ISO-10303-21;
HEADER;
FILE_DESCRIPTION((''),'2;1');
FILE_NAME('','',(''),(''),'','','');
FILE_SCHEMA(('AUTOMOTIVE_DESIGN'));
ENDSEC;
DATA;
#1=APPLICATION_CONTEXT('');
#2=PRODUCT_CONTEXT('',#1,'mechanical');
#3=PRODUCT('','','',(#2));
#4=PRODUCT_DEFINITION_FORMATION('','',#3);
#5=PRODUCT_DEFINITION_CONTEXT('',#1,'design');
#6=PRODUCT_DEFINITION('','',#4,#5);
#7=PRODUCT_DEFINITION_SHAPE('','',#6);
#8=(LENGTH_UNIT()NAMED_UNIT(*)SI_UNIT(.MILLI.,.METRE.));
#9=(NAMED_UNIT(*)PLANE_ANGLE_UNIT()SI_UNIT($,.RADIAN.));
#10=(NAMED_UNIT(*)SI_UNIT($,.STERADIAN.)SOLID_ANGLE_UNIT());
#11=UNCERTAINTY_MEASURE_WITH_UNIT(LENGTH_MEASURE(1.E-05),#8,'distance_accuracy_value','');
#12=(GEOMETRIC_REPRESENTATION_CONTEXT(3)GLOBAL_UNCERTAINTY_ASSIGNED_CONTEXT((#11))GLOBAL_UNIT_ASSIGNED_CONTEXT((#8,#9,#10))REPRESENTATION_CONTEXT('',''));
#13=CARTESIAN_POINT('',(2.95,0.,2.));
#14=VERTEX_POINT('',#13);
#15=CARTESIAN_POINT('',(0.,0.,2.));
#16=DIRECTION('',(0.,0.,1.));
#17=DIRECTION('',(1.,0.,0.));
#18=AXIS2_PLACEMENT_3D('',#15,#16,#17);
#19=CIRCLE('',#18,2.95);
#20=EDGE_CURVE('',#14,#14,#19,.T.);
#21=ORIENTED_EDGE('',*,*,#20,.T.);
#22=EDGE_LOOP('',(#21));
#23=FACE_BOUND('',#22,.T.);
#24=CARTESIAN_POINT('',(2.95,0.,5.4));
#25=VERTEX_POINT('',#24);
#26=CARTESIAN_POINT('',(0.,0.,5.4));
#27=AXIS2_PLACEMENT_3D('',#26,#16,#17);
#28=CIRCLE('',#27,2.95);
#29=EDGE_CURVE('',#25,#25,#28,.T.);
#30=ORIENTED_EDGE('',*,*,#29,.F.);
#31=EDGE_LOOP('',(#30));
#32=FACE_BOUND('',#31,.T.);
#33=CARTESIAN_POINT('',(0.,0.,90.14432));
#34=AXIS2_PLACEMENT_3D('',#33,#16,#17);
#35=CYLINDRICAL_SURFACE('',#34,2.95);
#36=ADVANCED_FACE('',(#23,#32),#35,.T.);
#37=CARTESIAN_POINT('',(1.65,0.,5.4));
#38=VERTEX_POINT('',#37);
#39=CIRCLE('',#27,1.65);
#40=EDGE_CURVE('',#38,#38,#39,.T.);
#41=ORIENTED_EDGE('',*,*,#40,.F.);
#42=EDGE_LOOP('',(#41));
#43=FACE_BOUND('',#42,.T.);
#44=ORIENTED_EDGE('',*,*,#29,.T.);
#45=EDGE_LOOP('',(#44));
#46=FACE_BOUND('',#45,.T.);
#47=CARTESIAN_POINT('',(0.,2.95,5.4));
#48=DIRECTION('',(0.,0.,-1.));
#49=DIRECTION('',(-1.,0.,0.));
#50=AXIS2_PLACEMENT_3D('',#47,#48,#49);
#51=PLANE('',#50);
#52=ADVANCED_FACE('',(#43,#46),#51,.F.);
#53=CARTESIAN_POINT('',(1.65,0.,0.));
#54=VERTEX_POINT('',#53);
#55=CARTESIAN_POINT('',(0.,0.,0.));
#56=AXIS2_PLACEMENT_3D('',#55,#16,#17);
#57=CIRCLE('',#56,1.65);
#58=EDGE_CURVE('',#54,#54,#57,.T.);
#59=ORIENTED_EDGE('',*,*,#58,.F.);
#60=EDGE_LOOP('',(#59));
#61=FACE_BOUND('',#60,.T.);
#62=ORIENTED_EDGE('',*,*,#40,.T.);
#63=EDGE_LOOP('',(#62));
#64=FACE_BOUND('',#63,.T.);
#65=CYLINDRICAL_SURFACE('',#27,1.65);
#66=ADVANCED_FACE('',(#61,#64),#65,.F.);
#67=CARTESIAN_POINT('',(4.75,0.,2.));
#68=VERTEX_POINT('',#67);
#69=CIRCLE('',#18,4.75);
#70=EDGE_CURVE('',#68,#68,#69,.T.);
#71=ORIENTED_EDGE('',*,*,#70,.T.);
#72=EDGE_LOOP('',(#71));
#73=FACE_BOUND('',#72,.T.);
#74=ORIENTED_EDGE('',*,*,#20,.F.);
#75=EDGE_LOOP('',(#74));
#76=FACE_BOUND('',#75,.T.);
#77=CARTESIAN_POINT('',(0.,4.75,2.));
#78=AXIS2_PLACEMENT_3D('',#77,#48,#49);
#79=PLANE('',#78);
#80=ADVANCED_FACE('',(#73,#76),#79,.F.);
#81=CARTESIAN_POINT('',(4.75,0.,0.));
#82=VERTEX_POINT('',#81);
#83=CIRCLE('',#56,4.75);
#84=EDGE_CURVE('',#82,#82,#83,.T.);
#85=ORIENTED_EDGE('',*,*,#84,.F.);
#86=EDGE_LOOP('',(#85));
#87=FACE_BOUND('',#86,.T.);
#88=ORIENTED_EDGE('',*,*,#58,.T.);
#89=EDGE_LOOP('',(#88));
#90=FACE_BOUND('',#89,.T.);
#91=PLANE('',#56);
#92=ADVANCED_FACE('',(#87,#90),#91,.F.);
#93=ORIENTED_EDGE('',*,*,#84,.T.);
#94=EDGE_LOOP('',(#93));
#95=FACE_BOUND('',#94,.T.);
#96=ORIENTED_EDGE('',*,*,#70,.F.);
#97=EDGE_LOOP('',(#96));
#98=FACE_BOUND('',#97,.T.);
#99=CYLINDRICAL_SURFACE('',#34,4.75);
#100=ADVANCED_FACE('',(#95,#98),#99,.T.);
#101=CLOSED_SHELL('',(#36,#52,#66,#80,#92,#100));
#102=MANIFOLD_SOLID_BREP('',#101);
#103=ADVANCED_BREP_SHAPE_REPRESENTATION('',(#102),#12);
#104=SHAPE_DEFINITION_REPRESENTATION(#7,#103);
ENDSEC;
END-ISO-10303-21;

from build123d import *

# Parameters (mm, degrees)
M4X0_7_TAPPED_HOLE1_D     = 3.3
M4X0_7_TAPPED_HOLE1_DEPTH = 5.4


with BuildPart() as part:
    # Sketch1 → Revolve1 (revolve)
    with BuildSketch(Plane(origin=(0, 0, 0), x_dir=(0, 0, -1), z_dir=(1, 0, 0)), mode=Mode.PRIVATE) as revolve1_sk:
        Polygon((0, 0), (0, 4.75), (-2, 4.75), (-2, 2.95), (-5.4, 2.95), (-5.4, 0), align=None)
    revolve(revolve1_sk.sketch.rotate(Axis((0, 0, 90.144320428), (0, 0, -1)), 90), axis=Axis((0, 0, 90.144320428), (0, 0, -1)))  # turned: the seam where the file's is

    # M4x0.7 Tapped Hole1
    with Locations(Plane(origin=(-1.585228974, 0.882737227, 5.4), x_dir=(1, 0, 0), z_dir=(0, 0, 1))):
        with Locations((1.585228974, -0.882737227)):
            Hole(M4X0_7_TAPPED_HOLE1_D / 2, depth=M4X0_7_TAPPED_HOLE1_DEPTH)


solid = part.part
